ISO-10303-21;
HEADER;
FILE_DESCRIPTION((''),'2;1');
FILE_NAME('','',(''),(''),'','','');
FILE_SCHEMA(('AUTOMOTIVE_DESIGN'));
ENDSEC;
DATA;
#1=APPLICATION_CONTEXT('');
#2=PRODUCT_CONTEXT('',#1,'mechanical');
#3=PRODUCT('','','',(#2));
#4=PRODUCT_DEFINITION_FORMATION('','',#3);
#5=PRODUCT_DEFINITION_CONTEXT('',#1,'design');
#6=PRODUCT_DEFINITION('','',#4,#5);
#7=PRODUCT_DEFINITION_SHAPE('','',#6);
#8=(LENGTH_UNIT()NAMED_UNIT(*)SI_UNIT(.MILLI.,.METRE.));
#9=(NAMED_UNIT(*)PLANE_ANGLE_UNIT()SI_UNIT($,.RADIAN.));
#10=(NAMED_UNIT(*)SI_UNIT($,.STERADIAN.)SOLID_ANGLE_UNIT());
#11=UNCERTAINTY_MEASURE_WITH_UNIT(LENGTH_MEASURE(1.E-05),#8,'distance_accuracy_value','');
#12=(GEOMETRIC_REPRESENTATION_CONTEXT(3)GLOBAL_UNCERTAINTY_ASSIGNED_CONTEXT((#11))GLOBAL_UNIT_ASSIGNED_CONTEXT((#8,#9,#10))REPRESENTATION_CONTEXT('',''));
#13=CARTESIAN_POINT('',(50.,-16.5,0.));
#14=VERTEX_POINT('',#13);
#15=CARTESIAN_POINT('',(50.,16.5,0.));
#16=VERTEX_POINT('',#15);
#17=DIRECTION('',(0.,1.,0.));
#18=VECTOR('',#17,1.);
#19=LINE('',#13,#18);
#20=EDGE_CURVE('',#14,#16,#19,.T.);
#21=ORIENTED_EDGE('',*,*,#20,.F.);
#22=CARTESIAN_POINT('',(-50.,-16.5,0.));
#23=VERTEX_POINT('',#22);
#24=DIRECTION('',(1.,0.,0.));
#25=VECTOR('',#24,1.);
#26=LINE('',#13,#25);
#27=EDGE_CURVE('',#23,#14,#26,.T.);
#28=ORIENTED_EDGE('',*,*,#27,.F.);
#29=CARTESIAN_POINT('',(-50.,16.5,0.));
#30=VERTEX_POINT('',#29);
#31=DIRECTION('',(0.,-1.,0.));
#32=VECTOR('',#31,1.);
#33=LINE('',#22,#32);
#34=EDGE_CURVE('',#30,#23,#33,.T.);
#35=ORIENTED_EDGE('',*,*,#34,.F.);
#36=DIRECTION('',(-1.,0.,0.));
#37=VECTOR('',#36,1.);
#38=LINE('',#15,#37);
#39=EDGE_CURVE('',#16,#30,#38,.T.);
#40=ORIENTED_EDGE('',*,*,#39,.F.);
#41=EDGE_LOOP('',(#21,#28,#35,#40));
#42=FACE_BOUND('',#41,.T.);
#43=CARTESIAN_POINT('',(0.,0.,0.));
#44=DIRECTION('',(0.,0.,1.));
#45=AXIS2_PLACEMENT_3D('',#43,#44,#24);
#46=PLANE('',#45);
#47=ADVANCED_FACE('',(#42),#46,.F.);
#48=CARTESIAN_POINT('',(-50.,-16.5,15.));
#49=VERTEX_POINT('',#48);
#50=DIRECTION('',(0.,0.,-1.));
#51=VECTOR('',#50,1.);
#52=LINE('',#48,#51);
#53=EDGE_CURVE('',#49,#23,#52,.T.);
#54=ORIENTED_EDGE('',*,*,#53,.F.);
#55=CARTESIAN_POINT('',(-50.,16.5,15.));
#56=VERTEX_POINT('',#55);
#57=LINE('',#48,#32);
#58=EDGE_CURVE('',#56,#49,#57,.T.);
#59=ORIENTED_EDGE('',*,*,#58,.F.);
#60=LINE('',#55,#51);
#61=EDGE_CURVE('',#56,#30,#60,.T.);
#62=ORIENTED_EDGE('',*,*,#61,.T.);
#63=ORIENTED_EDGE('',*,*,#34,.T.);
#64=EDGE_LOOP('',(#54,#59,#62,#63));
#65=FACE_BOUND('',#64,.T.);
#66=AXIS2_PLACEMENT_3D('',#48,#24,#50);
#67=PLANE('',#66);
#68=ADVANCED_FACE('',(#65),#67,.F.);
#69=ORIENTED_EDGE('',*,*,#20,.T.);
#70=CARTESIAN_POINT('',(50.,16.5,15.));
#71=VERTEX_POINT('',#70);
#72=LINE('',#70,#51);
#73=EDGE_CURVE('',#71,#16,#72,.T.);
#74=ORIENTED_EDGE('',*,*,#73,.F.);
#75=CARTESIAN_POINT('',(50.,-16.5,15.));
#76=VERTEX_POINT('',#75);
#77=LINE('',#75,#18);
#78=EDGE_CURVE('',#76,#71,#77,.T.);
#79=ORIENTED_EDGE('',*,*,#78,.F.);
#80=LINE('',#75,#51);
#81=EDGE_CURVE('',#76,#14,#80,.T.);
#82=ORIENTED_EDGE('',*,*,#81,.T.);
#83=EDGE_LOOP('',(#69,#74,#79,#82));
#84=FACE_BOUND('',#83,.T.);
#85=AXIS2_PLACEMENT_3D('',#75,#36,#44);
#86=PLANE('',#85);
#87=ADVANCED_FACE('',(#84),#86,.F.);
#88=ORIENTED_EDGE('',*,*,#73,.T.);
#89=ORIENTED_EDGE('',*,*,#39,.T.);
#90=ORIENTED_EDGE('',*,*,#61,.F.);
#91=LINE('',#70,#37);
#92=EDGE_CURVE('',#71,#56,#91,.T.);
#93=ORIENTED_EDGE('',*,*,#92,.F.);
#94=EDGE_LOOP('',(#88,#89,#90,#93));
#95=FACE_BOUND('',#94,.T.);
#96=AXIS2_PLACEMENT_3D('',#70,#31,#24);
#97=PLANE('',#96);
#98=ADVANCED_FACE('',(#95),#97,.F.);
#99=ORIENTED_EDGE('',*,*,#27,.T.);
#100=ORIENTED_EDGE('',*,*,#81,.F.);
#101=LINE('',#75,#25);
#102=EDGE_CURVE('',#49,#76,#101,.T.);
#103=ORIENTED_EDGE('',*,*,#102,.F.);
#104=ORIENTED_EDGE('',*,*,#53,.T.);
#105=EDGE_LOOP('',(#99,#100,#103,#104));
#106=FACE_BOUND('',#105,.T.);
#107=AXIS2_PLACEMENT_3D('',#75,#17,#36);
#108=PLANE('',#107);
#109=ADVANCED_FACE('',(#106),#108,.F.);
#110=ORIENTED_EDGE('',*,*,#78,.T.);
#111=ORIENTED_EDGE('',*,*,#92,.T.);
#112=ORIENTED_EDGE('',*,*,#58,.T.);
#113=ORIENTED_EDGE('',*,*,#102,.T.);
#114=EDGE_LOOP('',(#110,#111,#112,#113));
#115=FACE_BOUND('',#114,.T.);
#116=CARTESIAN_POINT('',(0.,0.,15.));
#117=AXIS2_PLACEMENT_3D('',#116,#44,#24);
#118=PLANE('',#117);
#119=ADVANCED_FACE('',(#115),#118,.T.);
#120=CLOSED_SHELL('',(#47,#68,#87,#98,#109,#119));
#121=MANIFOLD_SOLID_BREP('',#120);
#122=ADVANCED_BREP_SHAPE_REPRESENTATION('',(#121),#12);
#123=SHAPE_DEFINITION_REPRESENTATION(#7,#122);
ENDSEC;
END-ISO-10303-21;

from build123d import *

# Parameters (mm, degrees)
ESBO_O1_W                = 100
ESBO_O1_H                = 33
RESSALTO_EXTRUS_O1_DEPTH = 15


with BuildPart() as part:
    # Esboço1 → Ressalto-extrusão1 (new body)
    with BuildSketch(Plane.XY):
        Rectangle(ESBO_O1_W, ESBO_O1_H)
    extrude(amount=RESSALTO_EXTRUS_O1_DEPTH)


solid = part.part
